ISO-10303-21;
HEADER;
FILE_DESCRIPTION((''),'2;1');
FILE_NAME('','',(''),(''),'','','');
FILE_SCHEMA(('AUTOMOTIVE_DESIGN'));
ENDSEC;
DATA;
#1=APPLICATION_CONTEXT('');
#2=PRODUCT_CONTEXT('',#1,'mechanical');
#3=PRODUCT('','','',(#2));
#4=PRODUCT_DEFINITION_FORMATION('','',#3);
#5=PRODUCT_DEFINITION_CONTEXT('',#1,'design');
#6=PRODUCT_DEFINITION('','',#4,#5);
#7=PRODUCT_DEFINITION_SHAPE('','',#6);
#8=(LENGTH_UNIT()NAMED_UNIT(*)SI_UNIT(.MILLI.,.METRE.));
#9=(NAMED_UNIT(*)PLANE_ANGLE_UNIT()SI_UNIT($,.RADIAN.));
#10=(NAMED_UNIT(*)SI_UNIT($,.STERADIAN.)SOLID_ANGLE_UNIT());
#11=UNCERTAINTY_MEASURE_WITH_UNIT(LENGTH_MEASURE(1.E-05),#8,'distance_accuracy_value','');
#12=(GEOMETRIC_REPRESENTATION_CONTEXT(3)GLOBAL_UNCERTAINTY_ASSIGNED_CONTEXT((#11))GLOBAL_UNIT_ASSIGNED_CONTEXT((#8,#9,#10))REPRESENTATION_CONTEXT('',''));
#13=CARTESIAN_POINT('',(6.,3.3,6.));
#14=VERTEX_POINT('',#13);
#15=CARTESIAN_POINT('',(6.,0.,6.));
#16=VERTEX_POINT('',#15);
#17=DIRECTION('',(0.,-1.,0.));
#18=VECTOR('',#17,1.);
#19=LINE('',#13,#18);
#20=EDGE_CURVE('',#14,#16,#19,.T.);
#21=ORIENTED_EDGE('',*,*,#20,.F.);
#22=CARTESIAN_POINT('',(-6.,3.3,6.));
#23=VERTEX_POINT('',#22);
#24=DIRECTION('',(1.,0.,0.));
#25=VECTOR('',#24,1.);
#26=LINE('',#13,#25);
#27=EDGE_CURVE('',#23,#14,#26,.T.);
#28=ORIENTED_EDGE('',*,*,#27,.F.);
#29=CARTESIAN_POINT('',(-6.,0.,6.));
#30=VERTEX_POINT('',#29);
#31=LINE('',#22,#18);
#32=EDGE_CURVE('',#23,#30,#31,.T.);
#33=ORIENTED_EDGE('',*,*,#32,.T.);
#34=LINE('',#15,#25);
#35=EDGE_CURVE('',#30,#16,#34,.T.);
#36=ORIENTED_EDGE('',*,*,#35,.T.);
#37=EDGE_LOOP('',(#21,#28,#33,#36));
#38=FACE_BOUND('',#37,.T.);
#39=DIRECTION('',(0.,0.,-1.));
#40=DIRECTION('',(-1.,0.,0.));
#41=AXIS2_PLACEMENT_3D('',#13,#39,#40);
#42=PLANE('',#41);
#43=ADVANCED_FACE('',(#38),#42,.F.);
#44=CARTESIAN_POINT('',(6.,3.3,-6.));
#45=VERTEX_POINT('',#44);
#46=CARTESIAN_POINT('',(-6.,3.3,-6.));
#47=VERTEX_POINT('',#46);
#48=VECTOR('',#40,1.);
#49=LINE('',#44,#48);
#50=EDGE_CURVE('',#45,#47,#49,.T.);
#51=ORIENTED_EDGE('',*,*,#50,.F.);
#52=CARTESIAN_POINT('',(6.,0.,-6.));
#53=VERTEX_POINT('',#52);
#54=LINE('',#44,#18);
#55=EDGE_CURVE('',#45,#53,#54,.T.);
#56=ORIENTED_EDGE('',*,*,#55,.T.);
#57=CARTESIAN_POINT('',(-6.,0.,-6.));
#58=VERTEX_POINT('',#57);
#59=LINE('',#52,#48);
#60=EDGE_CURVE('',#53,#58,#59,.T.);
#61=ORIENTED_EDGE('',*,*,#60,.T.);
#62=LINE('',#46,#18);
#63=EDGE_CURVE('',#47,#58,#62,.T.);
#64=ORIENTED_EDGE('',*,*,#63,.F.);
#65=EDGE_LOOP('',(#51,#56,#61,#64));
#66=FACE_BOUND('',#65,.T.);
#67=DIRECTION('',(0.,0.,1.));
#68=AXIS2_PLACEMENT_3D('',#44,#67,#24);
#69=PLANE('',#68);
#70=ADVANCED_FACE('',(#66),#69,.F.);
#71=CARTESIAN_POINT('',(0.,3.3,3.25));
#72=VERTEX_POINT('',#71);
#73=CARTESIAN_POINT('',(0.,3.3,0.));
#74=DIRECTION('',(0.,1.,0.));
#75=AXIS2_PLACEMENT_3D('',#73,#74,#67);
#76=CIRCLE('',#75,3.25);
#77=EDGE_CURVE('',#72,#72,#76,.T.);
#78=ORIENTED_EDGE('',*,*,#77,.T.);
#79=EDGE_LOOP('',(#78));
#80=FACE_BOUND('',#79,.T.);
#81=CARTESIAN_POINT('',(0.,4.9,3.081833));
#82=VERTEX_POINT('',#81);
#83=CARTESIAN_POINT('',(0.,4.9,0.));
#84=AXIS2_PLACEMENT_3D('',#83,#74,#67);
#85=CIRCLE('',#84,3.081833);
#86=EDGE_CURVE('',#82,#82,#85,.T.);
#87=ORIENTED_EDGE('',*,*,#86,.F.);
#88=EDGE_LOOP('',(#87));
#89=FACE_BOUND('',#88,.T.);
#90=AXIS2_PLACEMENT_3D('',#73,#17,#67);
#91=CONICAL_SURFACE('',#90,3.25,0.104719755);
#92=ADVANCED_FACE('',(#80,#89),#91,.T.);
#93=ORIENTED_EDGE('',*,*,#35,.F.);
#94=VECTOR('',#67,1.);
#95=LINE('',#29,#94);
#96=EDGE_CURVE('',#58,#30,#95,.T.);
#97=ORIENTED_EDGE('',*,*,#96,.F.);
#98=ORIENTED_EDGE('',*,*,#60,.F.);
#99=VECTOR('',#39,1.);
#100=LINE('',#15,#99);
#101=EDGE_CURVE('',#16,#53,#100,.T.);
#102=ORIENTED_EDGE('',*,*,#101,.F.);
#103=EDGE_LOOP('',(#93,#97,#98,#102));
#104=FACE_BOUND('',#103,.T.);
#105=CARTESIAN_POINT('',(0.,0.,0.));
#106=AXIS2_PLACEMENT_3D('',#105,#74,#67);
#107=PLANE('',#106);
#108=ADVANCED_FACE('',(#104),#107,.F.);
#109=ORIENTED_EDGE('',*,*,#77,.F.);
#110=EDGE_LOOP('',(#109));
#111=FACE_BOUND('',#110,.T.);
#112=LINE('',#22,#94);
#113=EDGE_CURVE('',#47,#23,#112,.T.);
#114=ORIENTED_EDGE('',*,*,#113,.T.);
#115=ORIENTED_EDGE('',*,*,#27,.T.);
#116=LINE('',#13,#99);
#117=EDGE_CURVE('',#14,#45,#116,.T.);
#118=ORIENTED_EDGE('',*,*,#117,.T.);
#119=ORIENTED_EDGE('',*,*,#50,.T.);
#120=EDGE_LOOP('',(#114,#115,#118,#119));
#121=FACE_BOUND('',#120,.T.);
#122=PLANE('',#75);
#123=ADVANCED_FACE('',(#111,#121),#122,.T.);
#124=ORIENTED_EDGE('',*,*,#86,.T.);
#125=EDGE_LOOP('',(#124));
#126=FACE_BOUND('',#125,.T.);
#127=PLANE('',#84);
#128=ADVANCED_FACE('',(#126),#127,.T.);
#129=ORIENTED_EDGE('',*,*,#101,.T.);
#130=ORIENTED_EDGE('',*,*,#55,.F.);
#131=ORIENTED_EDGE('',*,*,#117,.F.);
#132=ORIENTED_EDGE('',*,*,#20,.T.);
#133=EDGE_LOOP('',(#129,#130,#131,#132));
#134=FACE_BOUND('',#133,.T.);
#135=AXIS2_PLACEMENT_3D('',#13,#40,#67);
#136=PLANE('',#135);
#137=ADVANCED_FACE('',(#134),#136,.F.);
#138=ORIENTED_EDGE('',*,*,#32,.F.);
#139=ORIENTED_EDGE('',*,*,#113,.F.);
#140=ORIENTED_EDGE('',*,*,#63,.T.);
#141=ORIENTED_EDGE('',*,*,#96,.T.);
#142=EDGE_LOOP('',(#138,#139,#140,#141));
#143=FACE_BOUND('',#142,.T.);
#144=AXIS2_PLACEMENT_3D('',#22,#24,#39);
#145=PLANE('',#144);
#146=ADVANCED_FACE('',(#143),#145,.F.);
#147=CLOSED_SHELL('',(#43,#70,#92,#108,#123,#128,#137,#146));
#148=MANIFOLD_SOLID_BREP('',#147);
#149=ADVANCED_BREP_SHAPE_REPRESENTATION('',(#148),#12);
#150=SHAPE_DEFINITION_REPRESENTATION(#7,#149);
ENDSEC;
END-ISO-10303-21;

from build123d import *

# Parameters (mm, degrees)
SKETCH1_W           = 12
SKETCH1_H           = 12
BOSS_EXTRUDE1_DEPTH = 3.3
SKETCH2_R           = 3.25
BOSS_EXTRUDE2_DEPTH = 1.6
BOSS_EXTRUDE2_TAPER = 6


with BuildPart() as part:
    # Sketch1 → Boss-Extrude1 (new body)
    with BuildSketch(Plane(origin=(0, 0, 0), x_dir=(1, 0, 0), z_dir=(0, 1, 0))):
        Rectangle(SKETCH1_W, SKETCH1_H)
    extrude(amount=BOSS_EXTRUDE1_DEPTH)

    # Sketch2 → Boss-Extrude2 (add)
    with BuildSketch(Plane(origin=(0, 3.3, 0), x_dir=(1, 0, 0), z_dir=(0, 1, 0))):
        Circle(SKETCH2_R)
    extrude(amount=BOSS_EXTRUDE2_DEPTH, taper=BOSS_EXTRUDE2_TAPER)


solid = part.part
